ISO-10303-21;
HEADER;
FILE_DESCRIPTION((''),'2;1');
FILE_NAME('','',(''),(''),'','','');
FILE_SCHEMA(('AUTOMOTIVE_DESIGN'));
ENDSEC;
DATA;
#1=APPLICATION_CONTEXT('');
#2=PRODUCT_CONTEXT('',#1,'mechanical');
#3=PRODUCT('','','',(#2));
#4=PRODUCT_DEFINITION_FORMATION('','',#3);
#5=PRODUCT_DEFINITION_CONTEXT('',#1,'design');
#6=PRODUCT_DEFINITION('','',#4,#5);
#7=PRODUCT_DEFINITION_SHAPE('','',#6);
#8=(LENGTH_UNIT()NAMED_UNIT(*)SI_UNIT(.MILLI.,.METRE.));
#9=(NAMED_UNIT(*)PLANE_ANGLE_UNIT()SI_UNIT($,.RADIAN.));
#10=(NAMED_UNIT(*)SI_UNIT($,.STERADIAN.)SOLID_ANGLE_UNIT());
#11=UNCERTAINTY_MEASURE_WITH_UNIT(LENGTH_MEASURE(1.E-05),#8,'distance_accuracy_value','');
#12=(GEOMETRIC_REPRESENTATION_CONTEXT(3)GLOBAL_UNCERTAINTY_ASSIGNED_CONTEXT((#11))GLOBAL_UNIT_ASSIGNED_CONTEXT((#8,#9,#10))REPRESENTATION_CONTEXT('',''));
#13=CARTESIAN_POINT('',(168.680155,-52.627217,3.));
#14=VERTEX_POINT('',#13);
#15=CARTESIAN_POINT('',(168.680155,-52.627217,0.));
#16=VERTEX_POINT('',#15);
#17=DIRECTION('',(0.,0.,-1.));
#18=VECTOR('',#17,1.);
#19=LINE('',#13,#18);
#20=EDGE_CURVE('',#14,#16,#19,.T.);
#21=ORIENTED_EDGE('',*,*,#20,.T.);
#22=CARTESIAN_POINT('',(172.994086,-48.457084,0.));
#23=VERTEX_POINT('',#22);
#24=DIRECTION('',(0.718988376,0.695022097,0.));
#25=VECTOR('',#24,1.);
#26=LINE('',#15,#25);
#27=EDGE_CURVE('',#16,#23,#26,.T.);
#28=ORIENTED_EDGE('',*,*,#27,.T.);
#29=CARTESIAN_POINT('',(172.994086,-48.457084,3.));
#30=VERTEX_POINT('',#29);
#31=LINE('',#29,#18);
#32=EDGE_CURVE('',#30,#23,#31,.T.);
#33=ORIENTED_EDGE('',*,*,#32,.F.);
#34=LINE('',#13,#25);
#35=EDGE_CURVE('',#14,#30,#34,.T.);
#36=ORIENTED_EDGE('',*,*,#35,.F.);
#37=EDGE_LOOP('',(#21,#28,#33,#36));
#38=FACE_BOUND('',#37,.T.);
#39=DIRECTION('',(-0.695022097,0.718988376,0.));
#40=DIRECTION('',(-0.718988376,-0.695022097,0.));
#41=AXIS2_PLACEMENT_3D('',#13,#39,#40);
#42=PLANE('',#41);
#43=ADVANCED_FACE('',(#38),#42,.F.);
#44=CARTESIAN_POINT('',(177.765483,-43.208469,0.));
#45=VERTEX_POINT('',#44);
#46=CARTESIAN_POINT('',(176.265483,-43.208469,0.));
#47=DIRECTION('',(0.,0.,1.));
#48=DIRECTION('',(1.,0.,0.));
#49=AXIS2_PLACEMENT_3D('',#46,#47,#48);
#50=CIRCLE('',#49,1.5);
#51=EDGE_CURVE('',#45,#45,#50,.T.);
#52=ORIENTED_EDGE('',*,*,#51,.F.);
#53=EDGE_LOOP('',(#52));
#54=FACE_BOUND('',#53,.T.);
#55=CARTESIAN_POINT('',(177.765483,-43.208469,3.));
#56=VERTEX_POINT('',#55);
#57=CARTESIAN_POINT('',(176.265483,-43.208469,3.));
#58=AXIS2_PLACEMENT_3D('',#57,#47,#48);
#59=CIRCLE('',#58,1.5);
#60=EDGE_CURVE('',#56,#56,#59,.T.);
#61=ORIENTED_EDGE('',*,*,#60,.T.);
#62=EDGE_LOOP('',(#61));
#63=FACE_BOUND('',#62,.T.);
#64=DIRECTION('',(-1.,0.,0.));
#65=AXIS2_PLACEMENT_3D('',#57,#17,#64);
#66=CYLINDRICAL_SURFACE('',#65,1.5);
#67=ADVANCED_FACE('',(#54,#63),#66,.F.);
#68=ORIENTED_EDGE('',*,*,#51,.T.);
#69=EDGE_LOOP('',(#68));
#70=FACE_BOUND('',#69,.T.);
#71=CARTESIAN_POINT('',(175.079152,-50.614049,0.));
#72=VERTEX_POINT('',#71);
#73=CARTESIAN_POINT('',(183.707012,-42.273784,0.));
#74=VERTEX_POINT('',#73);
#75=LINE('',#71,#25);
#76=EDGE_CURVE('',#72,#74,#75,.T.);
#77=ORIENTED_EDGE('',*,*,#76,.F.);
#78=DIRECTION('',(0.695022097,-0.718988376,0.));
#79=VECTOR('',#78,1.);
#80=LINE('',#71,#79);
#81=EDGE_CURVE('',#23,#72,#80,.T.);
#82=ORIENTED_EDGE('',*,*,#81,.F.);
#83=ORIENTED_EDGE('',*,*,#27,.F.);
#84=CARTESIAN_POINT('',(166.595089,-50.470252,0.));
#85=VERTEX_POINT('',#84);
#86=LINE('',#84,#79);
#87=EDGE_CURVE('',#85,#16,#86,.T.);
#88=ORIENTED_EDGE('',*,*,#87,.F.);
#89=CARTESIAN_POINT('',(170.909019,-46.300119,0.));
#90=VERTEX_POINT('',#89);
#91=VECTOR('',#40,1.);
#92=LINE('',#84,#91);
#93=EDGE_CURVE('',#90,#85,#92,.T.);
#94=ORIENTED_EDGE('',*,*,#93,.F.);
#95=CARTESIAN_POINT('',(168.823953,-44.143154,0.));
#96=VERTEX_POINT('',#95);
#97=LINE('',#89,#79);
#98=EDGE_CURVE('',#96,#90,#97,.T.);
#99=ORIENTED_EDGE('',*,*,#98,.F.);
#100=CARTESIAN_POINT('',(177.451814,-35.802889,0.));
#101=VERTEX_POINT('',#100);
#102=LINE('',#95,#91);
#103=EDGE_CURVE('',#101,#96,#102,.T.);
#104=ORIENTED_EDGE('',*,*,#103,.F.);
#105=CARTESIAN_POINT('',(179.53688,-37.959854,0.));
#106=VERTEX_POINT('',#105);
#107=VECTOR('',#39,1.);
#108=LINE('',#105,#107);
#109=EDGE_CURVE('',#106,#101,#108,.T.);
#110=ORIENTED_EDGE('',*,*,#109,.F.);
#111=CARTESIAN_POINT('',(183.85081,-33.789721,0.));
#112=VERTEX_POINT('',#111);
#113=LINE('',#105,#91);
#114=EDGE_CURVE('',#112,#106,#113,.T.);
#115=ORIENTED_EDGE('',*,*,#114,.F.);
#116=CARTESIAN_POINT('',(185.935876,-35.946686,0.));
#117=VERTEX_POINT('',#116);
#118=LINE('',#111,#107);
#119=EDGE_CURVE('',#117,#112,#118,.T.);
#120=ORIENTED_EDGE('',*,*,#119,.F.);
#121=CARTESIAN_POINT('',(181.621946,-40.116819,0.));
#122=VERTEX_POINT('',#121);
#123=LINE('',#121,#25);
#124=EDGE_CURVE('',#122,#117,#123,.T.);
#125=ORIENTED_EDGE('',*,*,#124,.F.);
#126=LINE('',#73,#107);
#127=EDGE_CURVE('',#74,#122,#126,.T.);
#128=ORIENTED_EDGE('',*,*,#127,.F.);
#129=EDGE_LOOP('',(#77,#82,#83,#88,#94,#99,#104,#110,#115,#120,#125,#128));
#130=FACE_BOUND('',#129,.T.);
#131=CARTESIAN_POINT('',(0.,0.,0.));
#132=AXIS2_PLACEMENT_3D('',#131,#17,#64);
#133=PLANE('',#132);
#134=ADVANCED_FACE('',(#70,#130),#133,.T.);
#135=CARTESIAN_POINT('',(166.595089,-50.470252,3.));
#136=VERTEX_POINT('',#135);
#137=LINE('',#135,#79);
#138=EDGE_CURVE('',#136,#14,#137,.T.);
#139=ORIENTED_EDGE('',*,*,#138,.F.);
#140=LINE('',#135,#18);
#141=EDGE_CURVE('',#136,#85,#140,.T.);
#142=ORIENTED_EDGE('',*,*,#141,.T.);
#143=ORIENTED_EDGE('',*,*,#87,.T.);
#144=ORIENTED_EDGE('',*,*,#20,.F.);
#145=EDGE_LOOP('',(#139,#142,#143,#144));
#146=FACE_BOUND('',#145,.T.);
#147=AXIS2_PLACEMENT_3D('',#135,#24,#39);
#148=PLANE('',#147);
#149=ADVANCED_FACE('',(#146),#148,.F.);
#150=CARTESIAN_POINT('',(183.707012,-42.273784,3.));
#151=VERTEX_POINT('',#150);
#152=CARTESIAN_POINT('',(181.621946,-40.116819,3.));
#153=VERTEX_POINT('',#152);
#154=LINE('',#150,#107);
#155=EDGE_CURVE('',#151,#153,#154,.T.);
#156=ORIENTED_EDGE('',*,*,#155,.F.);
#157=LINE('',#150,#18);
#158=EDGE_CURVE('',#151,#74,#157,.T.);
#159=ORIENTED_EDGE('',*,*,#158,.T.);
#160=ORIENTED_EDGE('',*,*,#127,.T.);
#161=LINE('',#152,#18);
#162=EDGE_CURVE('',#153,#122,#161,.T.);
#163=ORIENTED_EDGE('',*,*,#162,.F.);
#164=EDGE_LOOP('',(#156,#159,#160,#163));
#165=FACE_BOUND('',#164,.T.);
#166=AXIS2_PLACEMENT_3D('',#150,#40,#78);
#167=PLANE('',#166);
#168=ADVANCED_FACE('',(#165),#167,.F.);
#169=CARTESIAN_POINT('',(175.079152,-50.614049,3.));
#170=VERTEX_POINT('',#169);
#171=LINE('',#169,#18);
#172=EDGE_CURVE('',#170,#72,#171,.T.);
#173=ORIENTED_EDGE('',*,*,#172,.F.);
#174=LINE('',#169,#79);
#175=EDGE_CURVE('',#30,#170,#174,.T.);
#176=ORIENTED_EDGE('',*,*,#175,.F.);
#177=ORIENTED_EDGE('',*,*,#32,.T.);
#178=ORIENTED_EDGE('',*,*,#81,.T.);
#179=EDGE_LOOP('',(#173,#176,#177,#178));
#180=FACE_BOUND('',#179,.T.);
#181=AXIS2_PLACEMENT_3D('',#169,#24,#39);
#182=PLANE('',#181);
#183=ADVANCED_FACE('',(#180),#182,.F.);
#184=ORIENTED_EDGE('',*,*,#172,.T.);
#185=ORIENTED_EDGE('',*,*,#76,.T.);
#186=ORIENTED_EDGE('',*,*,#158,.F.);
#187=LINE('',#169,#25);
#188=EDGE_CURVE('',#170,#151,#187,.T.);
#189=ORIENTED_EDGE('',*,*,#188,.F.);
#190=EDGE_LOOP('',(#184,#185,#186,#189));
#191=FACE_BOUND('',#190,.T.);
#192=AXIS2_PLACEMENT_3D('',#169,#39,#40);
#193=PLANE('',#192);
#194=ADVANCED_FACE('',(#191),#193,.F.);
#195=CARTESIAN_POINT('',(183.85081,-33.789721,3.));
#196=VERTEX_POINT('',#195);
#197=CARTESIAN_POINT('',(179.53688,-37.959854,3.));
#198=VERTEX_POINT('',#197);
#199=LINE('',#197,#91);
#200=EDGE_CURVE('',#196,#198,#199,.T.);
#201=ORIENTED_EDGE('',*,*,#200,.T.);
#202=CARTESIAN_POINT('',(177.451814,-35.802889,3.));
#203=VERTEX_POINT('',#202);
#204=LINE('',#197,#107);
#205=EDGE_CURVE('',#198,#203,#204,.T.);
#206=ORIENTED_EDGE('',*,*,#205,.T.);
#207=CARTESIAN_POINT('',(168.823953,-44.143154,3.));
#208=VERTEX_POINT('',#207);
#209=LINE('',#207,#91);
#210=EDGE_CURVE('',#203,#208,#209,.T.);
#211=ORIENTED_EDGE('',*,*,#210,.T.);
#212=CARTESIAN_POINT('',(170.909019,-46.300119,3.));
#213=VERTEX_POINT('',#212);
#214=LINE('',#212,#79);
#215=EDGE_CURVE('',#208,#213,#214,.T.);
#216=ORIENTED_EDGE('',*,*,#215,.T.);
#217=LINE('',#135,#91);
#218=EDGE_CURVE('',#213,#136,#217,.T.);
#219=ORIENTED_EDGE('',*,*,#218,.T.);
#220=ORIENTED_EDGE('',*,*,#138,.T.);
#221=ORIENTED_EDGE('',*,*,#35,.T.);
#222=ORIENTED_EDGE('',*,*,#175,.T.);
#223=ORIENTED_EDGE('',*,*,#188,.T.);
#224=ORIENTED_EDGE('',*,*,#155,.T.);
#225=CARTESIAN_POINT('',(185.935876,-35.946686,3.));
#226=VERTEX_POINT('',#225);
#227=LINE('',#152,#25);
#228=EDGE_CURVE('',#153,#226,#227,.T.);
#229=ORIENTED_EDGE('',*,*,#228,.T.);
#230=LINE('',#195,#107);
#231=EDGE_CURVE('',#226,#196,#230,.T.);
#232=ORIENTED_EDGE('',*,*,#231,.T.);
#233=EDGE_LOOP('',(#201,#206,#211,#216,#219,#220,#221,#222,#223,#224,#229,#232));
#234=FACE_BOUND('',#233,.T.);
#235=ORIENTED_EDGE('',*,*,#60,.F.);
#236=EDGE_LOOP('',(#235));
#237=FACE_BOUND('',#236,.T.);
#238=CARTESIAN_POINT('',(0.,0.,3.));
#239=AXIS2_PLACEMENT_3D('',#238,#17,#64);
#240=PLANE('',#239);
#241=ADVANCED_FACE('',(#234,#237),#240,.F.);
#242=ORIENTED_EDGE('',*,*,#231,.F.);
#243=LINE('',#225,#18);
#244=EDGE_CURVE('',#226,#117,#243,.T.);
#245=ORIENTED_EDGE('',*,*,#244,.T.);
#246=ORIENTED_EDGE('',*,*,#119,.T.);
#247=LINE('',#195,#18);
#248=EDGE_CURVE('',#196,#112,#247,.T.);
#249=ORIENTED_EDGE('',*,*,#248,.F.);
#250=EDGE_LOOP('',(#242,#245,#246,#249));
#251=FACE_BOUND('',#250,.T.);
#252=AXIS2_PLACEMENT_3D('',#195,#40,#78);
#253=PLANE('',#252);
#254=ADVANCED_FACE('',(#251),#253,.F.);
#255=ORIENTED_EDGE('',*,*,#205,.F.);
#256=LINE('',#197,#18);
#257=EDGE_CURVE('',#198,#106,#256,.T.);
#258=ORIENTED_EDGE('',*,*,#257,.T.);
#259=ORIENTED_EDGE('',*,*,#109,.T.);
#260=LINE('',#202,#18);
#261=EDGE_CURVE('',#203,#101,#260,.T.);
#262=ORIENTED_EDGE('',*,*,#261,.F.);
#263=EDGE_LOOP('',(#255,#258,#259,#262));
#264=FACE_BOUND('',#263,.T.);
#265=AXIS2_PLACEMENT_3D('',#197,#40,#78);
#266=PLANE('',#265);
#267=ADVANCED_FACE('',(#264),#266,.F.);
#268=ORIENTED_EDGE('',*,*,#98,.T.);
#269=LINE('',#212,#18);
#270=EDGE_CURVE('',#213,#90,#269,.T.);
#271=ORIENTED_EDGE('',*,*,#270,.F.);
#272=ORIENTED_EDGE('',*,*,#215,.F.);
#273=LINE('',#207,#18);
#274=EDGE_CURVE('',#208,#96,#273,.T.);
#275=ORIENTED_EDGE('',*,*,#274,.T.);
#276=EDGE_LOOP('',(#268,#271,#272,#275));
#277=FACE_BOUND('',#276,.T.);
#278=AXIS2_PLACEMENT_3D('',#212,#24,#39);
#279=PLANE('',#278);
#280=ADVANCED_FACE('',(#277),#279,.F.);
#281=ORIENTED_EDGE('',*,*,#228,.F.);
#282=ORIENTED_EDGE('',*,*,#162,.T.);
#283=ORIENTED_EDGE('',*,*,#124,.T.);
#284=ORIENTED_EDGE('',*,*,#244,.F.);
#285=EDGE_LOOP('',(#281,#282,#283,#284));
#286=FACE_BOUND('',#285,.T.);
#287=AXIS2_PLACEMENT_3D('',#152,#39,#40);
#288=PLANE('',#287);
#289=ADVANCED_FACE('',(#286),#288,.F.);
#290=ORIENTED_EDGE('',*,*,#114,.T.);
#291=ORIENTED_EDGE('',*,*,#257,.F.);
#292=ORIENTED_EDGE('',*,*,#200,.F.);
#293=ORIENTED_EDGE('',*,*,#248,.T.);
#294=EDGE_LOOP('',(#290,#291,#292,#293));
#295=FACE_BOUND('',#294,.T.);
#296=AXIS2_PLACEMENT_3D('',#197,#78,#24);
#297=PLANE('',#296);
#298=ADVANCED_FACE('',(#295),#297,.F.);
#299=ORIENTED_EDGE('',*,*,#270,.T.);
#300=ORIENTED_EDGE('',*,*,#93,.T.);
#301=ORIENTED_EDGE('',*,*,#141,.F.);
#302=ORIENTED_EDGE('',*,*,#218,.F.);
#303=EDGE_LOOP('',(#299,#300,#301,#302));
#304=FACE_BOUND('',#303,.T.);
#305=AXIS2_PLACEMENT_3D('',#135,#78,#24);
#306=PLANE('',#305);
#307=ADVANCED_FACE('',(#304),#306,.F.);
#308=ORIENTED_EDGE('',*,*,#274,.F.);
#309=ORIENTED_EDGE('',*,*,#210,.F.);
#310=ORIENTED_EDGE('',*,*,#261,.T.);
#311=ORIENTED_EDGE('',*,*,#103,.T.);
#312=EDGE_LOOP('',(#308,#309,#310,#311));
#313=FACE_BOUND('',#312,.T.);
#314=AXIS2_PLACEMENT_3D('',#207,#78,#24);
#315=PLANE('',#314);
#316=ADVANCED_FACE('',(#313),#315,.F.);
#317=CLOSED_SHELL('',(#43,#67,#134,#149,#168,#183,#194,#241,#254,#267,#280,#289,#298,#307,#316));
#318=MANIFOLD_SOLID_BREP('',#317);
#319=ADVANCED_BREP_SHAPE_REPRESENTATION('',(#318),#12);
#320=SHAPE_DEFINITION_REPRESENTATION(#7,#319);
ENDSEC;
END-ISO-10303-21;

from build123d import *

# Parameters (mm, degrees)
ESQUISSE15_R        = 1.5
BOSS_EXTRU_15_DEPTH = 3


with BuildPart() as part:
    # Esquisse15 → Boss.-Extru.15 (new body)
    with BuildSketch(Plane.XY):
        Polygon((175.079151873, -50.614049322), (183.707012385, -42.27378416), (181.621946095, -40.116819031), (185.935876351, -35.94668645), (183.850810061, -33.789721322), (179.536879804, -37.959853903), (177.451813514, -35.802888775), (168.823953001, -44.143153937), (170.909019292, -46.300119065), (166.595089035, -50.470251647), (168.680155326, -52.627216775), (172.994085582, -48.457084194), align=None)
        with Locations((176.265482693, -43.208469048)):
            Circle(ESQUISSE15_R, mode=Mode.SUBTRACT)
    extrude(amount=BOSS_EXTRU_15_DEPTH)


solid = part.part
